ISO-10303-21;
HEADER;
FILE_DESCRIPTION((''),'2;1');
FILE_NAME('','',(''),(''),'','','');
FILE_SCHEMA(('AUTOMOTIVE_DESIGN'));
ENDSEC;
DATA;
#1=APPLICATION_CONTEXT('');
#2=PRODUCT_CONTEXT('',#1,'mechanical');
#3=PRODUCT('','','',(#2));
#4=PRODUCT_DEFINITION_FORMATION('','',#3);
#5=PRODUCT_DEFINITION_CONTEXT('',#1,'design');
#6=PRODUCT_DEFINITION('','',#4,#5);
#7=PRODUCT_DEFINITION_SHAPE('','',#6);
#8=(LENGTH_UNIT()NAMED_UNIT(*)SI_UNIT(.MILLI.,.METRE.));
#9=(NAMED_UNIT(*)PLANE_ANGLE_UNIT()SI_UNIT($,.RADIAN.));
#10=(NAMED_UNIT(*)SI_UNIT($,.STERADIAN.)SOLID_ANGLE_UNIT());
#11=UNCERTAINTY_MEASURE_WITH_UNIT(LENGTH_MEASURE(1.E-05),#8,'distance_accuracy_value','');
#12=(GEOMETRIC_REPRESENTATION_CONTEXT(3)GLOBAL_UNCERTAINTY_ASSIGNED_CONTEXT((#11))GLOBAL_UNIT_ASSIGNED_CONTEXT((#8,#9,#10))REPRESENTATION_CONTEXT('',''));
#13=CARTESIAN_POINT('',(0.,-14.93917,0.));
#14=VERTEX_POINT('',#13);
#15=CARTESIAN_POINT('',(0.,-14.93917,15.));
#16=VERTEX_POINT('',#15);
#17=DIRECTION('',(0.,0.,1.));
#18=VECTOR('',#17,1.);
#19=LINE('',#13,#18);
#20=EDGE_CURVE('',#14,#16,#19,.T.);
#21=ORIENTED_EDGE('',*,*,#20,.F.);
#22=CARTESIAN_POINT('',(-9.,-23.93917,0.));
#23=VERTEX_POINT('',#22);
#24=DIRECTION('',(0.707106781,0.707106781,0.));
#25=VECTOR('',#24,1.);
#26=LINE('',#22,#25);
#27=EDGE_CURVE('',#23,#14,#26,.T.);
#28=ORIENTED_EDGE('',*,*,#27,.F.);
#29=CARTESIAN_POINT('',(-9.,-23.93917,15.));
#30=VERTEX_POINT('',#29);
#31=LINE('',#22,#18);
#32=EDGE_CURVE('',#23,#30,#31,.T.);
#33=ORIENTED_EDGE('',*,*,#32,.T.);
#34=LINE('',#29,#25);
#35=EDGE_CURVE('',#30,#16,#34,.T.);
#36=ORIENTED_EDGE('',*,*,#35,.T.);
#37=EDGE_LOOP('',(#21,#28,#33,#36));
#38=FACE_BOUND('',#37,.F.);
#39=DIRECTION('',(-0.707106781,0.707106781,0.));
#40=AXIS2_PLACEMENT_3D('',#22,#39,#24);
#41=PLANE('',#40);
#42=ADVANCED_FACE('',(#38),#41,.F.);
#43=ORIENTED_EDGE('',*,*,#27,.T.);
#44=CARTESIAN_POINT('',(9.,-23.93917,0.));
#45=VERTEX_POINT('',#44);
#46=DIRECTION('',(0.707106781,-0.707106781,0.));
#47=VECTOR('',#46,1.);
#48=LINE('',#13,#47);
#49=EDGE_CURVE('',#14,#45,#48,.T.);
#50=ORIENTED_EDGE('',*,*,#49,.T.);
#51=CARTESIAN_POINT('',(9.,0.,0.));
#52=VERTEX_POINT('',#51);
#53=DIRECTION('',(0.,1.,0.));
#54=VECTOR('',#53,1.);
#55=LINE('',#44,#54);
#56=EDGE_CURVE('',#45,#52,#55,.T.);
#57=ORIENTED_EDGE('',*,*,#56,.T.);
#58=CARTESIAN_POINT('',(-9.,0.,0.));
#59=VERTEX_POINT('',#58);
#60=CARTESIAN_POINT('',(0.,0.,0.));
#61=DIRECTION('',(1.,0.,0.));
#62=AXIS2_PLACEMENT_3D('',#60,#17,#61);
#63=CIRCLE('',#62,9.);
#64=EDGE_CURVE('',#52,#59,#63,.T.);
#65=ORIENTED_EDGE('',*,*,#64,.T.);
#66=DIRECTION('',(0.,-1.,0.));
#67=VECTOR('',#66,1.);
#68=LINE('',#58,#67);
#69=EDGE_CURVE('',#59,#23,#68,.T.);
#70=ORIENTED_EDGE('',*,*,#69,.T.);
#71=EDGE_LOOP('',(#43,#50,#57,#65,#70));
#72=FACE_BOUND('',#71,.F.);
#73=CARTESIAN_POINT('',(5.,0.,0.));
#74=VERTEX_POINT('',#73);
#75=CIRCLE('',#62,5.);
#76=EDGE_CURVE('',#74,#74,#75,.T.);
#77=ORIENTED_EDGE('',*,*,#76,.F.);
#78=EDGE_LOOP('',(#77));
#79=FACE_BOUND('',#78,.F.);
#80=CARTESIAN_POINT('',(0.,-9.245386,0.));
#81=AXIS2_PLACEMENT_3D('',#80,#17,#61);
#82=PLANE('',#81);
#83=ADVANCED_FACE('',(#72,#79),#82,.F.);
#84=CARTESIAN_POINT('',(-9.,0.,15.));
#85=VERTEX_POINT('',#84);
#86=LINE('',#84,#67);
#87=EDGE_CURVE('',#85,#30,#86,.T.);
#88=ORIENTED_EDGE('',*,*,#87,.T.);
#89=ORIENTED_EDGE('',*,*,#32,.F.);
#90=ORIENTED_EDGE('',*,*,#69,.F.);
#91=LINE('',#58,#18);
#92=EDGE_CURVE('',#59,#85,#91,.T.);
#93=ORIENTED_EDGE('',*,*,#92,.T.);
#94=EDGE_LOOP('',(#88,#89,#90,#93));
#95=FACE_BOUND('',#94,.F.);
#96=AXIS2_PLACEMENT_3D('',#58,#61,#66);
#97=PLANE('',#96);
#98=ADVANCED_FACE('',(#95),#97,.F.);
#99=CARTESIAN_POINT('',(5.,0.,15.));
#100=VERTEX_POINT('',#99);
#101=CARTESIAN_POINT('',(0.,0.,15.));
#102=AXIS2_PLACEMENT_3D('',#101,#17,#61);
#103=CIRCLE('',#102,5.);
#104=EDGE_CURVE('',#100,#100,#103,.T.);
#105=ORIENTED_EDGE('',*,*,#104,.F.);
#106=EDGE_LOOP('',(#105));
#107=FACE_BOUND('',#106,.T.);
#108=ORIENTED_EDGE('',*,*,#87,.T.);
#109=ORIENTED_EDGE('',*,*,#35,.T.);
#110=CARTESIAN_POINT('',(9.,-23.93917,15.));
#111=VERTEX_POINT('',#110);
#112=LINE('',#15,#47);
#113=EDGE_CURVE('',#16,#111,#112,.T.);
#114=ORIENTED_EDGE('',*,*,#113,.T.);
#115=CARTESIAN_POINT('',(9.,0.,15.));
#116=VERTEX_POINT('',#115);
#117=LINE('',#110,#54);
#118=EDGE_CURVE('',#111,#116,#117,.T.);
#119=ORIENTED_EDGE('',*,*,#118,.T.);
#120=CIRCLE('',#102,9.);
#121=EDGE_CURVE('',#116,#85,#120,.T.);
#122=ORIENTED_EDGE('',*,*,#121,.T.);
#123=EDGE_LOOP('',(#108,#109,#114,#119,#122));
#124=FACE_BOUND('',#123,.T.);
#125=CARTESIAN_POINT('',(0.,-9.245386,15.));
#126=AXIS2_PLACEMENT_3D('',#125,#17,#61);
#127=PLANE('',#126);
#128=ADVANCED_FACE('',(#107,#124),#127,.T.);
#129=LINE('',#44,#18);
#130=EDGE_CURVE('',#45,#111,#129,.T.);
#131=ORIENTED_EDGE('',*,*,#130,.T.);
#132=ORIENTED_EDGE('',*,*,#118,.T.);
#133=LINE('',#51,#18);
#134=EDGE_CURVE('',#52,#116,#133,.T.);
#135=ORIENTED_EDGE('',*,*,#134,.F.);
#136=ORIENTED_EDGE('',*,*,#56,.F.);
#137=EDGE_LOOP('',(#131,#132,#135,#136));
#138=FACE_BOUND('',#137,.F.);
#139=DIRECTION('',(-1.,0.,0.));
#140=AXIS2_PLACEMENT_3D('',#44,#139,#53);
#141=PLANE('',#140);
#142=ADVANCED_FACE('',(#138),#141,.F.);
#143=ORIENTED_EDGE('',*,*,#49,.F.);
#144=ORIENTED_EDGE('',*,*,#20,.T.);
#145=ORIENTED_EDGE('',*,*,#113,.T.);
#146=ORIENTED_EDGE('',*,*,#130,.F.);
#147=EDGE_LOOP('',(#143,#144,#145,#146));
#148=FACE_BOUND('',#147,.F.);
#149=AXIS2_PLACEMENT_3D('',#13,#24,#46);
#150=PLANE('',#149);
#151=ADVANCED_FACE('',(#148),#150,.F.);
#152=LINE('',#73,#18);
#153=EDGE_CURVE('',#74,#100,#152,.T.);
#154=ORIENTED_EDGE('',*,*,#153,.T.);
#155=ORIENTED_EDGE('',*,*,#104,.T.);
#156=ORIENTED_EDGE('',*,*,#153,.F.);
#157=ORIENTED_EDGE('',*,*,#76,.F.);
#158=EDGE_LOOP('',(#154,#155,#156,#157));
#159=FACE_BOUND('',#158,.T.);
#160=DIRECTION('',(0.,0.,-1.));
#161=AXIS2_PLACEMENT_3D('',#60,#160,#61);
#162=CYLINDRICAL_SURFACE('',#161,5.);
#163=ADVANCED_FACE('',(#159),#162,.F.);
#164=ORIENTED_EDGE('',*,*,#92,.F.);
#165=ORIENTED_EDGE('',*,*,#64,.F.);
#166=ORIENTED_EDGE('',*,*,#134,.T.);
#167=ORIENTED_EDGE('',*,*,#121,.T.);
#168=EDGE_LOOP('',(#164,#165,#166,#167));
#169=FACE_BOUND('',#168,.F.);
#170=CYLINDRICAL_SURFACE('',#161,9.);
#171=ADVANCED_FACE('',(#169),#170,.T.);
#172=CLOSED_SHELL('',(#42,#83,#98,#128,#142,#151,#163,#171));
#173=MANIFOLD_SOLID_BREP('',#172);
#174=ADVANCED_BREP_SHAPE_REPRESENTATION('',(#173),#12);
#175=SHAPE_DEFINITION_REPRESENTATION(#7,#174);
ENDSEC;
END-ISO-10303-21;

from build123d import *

# Parameters (mm, degrees)
F0_R     = 5
F1_DEPTH = 15


with BuildPart() as f1:
    # F0 (on Top) → F1 (new body)
    with BuildSketch(Plane.XY):
        with BuildLine():
            Line((9, -23.93917), (9, 0))
            ThreePointArc((9, 0), (0, 9), (-9, 0))
            Line((-9, 0), (-9, -23.93917))
            Line((-9, -23.93917), (0, -14.93917))
            Line((0, -14.93917), (9, -23.93917))
        make_face()
        Circle(F0_R, mode=Mode.SUBTRACT)
    extrude(amount=F1_DEPTH)


solid = f1.part
